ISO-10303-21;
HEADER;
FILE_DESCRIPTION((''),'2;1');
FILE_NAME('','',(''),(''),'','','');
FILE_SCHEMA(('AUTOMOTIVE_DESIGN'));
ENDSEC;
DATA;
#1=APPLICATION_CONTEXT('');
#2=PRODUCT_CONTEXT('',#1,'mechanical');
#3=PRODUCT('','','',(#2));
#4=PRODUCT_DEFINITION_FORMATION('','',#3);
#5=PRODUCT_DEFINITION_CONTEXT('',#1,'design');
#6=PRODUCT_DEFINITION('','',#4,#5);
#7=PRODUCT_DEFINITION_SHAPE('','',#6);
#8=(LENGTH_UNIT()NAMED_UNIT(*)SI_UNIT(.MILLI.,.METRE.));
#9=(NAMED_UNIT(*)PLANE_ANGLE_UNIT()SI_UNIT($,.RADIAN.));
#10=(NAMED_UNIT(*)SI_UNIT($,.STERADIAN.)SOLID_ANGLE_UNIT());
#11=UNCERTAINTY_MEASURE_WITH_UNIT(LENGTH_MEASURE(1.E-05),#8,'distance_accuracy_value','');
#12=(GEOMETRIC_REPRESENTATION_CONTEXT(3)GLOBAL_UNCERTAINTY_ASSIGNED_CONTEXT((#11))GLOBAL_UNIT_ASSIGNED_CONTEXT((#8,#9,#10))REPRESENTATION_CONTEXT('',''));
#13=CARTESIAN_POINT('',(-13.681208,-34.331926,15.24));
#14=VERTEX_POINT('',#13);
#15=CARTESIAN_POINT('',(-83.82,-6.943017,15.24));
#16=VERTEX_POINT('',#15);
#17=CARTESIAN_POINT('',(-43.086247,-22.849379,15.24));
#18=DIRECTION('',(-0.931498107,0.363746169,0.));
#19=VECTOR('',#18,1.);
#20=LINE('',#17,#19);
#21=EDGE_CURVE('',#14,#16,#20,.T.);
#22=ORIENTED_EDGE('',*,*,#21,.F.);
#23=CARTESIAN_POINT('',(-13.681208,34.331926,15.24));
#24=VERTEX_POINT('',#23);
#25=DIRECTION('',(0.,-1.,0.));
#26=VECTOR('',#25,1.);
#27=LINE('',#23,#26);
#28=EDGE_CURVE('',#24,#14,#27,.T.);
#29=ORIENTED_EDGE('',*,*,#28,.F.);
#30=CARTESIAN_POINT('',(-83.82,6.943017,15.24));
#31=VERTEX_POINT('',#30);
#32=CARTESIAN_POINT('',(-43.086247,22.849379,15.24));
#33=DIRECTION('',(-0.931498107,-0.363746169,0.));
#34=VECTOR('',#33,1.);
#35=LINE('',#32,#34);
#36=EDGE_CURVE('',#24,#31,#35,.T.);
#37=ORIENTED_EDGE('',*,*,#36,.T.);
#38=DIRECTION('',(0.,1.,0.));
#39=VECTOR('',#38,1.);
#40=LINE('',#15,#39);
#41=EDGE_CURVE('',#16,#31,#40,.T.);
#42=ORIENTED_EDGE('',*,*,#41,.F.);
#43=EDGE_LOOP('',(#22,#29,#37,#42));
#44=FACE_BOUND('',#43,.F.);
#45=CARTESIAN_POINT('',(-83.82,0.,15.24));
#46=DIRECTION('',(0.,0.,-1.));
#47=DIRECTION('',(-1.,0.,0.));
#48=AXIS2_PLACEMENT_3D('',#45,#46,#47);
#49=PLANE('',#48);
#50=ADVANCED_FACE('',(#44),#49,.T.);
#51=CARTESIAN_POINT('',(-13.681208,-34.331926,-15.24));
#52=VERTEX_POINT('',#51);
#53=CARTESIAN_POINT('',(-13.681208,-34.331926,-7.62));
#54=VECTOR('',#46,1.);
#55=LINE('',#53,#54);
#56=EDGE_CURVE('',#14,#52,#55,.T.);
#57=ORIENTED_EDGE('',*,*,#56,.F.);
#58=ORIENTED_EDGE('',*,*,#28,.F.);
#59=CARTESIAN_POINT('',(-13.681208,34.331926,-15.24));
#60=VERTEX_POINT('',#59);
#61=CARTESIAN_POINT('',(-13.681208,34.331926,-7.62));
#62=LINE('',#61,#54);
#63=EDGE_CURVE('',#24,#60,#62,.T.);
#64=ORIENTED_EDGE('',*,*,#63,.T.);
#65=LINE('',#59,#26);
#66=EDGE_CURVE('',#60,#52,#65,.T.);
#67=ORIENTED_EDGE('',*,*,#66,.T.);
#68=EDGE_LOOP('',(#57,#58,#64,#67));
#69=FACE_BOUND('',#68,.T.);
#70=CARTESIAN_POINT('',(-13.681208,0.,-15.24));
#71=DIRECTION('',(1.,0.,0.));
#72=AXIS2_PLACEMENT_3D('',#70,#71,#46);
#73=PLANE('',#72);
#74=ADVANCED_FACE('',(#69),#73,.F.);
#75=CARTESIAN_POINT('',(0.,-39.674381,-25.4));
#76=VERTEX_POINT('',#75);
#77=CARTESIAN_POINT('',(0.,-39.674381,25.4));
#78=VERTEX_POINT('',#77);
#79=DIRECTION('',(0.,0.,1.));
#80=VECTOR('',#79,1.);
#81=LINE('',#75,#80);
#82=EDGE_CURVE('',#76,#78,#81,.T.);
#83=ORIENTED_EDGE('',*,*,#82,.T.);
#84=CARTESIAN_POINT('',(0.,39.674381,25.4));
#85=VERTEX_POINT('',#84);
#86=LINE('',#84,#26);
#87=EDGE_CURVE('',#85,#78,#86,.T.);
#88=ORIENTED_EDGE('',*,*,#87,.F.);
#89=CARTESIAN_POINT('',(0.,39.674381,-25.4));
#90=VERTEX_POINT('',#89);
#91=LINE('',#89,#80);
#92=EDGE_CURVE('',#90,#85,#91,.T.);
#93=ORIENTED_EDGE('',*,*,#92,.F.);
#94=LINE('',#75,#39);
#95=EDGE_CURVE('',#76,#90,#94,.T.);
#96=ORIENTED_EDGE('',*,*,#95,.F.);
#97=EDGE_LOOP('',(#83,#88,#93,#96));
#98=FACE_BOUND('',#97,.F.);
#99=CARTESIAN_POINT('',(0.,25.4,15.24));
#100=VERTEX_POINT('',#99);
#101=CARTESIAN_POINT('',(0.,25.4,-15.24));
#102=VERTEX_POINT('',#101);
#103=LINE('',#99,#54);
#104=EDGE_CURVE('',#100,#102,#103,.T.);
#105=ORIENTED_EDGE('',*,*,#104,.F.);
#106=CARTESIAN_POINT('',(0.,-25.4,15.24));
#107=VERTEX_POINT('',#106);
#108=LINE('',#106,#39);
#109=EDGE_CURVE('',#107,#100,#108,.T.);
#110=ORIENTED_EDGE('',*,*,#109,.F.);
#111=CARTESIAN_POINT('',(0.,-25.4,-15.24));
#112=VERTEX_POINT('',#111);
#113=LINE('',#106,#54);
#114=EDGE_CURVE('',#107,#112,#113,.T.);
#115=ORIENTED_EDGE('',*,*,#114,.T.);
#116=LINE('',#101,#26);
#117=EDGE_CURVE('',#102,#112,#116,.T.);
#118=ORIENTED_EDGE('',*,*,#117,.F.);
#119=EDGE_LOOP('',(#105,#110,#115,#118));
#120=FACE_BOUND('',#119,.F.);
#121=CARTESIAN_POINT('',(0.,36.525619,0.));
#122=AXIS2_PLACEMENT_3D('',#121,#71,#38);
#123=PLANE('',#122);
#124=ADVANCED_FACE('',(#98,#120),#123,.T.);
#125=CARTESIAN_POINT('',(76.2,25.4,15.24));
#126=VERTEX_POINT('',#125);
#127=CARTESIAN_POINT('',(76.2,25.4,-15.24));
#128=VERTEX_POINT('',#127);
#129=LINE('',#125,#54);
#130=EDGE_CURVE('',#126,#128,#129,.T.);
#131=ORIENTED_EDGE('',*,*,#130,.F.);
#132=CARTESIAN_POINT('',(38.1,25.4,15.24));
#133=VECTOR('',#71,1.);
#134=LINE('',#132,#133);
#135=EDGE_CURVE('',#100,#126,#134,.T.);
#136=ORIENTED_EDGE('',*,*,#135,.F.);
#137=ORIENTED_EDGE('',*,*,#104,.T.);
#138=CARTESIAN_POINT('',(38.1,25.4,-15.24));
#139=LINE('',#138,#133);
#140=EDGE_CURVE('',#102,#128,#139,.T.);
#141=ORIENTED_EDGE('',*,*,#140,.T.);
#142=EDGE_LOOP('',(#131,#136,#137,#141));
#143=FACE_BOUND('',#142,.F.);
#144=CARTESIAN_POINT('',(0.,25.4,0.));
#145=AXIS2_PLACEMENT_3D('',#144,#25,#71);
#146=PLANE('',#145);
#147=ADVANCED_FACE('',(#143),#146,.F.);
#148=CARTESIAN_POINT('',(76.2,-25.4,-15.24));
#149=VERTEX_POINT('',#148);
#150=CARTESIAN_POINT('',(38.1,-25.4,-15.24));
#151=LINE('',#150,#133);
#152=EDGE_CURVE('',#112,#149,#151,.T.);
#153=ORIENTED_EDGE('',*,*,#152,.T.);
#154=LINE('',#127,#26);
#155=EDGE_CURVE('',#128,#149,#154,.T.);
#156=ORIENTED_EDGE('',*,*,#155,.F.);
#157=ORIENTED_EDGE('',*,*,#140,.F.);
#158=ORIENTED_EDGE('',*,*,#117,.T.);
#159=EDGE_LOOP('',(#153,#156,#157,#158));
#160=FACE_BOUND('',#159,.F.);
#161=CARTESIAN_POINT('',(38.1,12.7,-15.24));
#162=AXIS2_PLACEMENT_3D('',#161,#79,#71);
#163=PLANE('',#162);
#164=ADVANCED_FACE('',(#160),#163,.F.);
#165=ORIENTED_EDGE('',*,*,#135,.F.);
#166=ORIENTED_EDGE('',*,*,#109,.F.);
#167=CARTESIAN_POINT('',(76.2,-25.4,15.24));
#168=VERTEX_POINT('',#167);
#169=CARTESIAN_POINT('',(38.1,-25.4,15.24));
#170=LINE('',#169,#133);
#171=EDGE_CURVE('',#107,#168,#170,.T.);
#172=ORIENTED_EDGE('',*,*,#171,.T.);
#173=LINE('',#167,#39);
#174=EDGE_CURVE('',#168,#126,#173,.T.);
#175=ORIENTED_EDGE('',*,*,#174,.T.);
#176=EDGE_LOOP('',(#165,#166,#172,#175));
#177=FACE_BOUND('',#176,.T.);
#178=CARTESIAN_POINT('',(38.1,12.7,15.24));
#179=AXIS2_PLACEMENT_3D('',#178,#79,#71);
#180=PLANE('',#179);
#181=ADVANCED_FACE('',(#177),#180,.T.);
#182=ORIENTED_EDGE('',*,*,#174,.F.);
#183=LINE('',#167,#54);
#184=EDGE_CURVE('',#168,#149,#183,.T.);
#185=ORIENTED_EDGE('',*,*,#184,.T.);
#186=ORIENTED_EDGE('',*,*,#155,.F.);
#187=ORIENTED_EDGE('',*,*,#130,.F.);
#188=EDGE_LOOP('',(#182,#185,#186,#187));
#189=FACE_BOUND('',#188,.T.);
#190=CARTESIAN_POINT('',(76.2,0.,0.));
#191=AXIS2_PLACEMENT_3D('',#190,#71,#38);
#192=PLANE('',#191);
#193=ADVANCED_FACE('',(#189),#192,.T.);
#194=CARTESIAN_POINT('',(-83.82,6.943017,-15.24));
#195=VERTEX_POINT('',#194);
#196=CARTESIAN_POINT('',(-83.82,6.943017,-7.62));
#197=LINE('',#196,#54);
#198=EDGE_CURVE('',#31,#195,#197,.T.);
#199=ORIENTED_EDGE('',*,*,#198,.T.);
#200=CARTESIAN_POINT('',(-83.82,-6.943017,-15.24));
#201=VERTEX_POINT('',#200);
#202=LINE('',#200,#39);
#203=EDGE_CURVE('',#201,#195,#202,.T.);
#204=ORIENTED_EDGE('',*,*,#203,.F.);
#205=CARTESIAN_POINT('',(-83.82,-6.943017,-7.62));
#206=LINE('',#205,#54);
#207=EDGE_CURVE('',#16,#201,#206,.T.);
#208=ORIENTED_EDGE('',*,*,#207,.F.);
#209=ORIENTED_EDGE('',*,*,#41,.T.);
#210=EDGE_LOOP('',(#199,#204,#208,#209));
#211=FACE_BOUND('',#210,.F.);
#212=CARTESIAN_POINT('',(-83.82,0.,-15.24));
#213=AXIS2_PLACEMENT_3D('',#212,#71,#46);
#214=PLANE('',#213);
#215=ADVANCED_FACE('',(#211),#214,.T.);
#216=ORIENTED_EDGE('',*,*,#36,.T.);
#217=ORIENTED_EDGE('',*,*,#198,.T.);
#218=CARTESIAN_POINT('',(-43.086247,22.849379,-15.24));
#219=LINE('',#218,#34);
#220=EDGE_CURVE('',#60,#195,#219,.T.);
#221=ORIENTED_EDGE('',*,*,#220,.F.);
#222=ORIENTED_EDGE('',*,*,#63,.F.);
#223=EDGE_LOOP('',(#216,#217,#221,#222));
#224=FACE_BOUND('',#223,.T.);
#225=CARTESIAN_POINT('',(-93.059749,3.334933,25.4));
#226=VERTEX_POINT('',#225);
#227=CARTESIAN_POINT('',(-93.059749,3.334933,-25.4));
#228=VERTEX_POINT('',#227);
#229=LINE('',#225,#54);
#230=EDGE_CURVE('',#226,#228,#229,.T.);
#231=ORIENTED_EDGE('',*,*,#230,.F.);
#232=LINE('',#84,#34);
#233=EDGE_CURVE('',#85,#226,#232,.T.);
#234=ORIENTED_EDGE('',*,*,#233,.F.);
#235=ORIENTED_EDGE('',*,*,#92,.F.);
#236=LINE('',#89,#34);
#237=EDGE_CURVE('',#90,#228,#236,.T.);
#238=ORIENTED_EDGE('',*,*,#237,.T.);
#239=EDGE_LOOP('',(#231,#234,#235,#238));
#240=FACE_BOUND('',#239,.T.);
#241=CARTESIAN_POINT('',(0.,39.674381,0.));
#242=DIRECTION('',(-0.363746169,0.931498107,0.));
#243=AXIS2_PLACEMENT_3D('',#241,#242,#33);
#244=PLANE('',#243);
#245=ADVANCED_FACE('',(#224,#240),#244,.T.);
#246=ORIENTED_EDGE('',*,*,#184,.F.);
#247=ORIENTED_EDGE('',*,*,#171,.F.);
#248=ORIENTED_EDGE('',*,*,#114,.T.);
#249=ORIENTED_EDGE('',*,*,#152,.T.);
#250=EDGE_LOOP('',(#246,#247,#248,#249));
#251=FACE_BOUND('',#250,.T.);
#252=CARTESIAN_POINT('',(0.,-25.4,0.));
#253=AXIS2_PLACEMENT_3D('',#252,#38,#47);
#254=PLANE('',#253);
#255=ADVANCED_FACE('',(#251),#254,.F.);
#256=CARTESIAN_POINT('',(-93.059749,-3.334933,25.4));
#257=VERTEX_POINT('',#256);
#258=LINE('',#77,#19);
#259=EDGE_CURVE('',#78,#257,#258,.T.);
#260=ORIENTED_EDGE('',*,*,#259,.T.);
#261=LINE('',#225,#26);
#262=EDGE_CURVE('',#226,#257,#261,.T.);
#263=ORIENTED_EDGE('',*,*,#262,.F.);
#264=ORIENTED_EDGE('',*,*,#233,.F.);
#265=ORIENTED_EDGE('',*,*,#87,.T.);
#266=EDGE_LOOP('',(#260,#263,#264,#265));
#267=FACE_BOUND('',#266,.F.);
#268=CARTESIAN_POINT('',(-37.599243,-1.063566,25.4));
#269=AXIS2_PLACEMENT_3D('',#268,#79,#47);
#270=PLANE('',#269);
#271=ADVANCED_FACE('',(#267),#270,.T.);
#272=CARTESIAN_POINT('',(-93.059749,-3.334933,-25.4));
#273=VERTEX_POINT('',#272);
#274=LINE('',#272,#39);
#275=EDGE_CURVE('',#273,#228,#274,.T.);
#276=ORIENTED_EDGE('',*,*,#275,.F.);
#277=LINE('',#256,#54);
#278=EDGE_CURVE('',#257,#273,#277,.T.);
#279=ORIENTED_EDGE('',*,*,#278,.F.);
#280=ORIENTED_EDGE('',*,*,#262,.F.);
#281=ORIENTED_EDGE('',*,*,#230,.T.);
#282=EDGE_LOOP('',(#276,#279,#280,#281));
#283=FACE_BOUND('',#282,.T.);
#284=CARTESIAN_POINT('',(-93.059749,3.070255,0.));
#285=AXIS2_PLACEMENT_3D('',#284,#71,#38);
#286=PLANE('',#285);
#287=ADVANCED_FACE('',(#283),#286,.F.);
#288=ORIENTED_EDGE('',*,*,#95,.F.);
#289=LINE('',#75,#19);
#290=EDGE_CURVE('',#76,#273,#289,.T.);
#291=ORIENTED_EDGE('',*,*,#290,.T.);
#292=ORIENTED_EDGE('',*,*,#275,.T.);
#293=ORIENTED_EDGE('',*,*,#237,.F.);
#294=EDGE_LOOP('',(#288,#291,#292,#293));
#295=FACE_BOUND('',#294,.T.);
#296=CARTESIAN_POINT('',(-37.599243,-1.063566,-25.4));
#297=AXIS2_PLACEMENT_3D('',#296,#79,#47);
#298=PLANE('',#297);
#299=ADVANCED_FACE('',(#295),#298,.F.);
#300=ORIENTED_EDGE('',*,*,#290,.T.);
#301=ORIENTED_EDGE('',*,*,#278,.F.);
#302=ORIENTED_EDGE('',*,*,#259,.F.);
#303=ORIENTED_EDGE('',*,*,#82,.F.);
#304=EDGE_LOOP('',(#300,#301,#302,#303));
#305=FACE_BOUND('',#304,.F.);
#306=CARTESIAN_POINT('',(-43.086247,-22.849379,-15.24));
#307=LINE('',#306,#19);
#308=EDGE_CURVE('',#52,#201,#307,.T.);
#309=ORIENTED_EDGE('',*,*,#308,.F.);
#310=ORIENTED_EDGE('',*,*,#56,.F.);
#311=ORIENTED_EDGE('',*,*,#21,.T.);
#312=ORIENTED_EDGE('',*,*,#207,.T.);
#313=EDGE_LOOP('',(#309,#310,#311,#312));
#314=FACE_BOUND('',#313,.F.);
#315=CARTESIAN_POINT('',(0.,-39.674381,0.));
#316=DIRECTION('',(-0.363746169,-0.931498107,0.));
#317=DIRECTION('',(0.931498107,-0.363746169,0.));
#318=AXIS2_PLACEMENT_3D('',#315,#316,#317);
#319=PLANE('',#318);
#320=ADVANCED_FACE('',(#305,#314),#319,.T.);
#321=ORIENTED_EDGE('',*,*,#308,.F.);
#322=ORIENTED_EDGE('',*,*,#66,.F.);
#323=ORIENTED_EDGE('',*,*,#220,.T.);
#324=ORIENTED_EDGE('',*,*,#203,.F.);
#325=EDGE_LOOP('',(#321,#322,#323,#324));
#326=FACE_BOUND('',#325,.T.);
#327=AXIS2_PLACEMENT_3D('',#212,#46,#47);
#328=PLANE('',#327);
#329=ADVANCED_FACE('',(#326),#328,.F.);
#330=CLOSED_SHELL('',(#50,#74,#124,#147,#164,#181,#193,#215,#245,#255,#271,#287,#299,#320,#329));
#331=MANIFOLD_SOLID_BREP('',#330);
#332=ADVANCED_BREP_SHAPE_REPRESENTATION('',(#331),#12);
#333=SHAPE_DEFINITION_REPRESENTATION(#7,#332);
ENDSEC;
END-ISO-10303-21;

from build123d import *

# Parameters (mm, degrees)
F1_DEPTH = 25.4
F2_W     = 70.138792
F2_H     = 30.48
F3_DEPTH = 63.5
F5_DEPTH = 25.4
F6_W     = 76.2
F6_H     = 25.4
F7_DEPTH = 15.24


with BuildPart() as f1:
    # F0 (on Top) → F1 (new body, symmetric)
    with BuildSketch(Plane.XY):
        Polygon((0, -36.525619), (0, 39.674381), (-101.6, 0), align=None)
    extrude(amount=F1_DEPTH, both=True)

    # F2 (on Front) → F3 (cut, symmetric)
    with BuildSketch(Plane.XZ):
        with Locations((-48.750604, 0)):
            Rectangle(F2_W, F2_H)
    extrude(amount=F3_DEPTH, both=True, mode=Mode.SUBTRACT)

    # F4 (on Top) → F5 (cut, symmetric)
    with BuildSketch(Plane.XY):
        Polygon((-93.059749, 3.334933), (-101.6, 0), (-93.059749, -3.070255), align=None)
    extrude(amount=F5_DEPTH, both=True, mode=Mode.SUBTRACT)

    # F6 (on Top) → F7 (join, symmetric)
    with BuildSketch(Plane.XY):
        with Locations((38.1, 12.7)):
            Rectangle(F6_W, F6_H)
    extrude(amount=F7_DEPTH, both=True)

    # F8: F1 across plane


with BuildPart() as f1_1:
    add(f1.part)
    add(f1.part.mirror(Plane.XZ))


solid = f1_1.part
